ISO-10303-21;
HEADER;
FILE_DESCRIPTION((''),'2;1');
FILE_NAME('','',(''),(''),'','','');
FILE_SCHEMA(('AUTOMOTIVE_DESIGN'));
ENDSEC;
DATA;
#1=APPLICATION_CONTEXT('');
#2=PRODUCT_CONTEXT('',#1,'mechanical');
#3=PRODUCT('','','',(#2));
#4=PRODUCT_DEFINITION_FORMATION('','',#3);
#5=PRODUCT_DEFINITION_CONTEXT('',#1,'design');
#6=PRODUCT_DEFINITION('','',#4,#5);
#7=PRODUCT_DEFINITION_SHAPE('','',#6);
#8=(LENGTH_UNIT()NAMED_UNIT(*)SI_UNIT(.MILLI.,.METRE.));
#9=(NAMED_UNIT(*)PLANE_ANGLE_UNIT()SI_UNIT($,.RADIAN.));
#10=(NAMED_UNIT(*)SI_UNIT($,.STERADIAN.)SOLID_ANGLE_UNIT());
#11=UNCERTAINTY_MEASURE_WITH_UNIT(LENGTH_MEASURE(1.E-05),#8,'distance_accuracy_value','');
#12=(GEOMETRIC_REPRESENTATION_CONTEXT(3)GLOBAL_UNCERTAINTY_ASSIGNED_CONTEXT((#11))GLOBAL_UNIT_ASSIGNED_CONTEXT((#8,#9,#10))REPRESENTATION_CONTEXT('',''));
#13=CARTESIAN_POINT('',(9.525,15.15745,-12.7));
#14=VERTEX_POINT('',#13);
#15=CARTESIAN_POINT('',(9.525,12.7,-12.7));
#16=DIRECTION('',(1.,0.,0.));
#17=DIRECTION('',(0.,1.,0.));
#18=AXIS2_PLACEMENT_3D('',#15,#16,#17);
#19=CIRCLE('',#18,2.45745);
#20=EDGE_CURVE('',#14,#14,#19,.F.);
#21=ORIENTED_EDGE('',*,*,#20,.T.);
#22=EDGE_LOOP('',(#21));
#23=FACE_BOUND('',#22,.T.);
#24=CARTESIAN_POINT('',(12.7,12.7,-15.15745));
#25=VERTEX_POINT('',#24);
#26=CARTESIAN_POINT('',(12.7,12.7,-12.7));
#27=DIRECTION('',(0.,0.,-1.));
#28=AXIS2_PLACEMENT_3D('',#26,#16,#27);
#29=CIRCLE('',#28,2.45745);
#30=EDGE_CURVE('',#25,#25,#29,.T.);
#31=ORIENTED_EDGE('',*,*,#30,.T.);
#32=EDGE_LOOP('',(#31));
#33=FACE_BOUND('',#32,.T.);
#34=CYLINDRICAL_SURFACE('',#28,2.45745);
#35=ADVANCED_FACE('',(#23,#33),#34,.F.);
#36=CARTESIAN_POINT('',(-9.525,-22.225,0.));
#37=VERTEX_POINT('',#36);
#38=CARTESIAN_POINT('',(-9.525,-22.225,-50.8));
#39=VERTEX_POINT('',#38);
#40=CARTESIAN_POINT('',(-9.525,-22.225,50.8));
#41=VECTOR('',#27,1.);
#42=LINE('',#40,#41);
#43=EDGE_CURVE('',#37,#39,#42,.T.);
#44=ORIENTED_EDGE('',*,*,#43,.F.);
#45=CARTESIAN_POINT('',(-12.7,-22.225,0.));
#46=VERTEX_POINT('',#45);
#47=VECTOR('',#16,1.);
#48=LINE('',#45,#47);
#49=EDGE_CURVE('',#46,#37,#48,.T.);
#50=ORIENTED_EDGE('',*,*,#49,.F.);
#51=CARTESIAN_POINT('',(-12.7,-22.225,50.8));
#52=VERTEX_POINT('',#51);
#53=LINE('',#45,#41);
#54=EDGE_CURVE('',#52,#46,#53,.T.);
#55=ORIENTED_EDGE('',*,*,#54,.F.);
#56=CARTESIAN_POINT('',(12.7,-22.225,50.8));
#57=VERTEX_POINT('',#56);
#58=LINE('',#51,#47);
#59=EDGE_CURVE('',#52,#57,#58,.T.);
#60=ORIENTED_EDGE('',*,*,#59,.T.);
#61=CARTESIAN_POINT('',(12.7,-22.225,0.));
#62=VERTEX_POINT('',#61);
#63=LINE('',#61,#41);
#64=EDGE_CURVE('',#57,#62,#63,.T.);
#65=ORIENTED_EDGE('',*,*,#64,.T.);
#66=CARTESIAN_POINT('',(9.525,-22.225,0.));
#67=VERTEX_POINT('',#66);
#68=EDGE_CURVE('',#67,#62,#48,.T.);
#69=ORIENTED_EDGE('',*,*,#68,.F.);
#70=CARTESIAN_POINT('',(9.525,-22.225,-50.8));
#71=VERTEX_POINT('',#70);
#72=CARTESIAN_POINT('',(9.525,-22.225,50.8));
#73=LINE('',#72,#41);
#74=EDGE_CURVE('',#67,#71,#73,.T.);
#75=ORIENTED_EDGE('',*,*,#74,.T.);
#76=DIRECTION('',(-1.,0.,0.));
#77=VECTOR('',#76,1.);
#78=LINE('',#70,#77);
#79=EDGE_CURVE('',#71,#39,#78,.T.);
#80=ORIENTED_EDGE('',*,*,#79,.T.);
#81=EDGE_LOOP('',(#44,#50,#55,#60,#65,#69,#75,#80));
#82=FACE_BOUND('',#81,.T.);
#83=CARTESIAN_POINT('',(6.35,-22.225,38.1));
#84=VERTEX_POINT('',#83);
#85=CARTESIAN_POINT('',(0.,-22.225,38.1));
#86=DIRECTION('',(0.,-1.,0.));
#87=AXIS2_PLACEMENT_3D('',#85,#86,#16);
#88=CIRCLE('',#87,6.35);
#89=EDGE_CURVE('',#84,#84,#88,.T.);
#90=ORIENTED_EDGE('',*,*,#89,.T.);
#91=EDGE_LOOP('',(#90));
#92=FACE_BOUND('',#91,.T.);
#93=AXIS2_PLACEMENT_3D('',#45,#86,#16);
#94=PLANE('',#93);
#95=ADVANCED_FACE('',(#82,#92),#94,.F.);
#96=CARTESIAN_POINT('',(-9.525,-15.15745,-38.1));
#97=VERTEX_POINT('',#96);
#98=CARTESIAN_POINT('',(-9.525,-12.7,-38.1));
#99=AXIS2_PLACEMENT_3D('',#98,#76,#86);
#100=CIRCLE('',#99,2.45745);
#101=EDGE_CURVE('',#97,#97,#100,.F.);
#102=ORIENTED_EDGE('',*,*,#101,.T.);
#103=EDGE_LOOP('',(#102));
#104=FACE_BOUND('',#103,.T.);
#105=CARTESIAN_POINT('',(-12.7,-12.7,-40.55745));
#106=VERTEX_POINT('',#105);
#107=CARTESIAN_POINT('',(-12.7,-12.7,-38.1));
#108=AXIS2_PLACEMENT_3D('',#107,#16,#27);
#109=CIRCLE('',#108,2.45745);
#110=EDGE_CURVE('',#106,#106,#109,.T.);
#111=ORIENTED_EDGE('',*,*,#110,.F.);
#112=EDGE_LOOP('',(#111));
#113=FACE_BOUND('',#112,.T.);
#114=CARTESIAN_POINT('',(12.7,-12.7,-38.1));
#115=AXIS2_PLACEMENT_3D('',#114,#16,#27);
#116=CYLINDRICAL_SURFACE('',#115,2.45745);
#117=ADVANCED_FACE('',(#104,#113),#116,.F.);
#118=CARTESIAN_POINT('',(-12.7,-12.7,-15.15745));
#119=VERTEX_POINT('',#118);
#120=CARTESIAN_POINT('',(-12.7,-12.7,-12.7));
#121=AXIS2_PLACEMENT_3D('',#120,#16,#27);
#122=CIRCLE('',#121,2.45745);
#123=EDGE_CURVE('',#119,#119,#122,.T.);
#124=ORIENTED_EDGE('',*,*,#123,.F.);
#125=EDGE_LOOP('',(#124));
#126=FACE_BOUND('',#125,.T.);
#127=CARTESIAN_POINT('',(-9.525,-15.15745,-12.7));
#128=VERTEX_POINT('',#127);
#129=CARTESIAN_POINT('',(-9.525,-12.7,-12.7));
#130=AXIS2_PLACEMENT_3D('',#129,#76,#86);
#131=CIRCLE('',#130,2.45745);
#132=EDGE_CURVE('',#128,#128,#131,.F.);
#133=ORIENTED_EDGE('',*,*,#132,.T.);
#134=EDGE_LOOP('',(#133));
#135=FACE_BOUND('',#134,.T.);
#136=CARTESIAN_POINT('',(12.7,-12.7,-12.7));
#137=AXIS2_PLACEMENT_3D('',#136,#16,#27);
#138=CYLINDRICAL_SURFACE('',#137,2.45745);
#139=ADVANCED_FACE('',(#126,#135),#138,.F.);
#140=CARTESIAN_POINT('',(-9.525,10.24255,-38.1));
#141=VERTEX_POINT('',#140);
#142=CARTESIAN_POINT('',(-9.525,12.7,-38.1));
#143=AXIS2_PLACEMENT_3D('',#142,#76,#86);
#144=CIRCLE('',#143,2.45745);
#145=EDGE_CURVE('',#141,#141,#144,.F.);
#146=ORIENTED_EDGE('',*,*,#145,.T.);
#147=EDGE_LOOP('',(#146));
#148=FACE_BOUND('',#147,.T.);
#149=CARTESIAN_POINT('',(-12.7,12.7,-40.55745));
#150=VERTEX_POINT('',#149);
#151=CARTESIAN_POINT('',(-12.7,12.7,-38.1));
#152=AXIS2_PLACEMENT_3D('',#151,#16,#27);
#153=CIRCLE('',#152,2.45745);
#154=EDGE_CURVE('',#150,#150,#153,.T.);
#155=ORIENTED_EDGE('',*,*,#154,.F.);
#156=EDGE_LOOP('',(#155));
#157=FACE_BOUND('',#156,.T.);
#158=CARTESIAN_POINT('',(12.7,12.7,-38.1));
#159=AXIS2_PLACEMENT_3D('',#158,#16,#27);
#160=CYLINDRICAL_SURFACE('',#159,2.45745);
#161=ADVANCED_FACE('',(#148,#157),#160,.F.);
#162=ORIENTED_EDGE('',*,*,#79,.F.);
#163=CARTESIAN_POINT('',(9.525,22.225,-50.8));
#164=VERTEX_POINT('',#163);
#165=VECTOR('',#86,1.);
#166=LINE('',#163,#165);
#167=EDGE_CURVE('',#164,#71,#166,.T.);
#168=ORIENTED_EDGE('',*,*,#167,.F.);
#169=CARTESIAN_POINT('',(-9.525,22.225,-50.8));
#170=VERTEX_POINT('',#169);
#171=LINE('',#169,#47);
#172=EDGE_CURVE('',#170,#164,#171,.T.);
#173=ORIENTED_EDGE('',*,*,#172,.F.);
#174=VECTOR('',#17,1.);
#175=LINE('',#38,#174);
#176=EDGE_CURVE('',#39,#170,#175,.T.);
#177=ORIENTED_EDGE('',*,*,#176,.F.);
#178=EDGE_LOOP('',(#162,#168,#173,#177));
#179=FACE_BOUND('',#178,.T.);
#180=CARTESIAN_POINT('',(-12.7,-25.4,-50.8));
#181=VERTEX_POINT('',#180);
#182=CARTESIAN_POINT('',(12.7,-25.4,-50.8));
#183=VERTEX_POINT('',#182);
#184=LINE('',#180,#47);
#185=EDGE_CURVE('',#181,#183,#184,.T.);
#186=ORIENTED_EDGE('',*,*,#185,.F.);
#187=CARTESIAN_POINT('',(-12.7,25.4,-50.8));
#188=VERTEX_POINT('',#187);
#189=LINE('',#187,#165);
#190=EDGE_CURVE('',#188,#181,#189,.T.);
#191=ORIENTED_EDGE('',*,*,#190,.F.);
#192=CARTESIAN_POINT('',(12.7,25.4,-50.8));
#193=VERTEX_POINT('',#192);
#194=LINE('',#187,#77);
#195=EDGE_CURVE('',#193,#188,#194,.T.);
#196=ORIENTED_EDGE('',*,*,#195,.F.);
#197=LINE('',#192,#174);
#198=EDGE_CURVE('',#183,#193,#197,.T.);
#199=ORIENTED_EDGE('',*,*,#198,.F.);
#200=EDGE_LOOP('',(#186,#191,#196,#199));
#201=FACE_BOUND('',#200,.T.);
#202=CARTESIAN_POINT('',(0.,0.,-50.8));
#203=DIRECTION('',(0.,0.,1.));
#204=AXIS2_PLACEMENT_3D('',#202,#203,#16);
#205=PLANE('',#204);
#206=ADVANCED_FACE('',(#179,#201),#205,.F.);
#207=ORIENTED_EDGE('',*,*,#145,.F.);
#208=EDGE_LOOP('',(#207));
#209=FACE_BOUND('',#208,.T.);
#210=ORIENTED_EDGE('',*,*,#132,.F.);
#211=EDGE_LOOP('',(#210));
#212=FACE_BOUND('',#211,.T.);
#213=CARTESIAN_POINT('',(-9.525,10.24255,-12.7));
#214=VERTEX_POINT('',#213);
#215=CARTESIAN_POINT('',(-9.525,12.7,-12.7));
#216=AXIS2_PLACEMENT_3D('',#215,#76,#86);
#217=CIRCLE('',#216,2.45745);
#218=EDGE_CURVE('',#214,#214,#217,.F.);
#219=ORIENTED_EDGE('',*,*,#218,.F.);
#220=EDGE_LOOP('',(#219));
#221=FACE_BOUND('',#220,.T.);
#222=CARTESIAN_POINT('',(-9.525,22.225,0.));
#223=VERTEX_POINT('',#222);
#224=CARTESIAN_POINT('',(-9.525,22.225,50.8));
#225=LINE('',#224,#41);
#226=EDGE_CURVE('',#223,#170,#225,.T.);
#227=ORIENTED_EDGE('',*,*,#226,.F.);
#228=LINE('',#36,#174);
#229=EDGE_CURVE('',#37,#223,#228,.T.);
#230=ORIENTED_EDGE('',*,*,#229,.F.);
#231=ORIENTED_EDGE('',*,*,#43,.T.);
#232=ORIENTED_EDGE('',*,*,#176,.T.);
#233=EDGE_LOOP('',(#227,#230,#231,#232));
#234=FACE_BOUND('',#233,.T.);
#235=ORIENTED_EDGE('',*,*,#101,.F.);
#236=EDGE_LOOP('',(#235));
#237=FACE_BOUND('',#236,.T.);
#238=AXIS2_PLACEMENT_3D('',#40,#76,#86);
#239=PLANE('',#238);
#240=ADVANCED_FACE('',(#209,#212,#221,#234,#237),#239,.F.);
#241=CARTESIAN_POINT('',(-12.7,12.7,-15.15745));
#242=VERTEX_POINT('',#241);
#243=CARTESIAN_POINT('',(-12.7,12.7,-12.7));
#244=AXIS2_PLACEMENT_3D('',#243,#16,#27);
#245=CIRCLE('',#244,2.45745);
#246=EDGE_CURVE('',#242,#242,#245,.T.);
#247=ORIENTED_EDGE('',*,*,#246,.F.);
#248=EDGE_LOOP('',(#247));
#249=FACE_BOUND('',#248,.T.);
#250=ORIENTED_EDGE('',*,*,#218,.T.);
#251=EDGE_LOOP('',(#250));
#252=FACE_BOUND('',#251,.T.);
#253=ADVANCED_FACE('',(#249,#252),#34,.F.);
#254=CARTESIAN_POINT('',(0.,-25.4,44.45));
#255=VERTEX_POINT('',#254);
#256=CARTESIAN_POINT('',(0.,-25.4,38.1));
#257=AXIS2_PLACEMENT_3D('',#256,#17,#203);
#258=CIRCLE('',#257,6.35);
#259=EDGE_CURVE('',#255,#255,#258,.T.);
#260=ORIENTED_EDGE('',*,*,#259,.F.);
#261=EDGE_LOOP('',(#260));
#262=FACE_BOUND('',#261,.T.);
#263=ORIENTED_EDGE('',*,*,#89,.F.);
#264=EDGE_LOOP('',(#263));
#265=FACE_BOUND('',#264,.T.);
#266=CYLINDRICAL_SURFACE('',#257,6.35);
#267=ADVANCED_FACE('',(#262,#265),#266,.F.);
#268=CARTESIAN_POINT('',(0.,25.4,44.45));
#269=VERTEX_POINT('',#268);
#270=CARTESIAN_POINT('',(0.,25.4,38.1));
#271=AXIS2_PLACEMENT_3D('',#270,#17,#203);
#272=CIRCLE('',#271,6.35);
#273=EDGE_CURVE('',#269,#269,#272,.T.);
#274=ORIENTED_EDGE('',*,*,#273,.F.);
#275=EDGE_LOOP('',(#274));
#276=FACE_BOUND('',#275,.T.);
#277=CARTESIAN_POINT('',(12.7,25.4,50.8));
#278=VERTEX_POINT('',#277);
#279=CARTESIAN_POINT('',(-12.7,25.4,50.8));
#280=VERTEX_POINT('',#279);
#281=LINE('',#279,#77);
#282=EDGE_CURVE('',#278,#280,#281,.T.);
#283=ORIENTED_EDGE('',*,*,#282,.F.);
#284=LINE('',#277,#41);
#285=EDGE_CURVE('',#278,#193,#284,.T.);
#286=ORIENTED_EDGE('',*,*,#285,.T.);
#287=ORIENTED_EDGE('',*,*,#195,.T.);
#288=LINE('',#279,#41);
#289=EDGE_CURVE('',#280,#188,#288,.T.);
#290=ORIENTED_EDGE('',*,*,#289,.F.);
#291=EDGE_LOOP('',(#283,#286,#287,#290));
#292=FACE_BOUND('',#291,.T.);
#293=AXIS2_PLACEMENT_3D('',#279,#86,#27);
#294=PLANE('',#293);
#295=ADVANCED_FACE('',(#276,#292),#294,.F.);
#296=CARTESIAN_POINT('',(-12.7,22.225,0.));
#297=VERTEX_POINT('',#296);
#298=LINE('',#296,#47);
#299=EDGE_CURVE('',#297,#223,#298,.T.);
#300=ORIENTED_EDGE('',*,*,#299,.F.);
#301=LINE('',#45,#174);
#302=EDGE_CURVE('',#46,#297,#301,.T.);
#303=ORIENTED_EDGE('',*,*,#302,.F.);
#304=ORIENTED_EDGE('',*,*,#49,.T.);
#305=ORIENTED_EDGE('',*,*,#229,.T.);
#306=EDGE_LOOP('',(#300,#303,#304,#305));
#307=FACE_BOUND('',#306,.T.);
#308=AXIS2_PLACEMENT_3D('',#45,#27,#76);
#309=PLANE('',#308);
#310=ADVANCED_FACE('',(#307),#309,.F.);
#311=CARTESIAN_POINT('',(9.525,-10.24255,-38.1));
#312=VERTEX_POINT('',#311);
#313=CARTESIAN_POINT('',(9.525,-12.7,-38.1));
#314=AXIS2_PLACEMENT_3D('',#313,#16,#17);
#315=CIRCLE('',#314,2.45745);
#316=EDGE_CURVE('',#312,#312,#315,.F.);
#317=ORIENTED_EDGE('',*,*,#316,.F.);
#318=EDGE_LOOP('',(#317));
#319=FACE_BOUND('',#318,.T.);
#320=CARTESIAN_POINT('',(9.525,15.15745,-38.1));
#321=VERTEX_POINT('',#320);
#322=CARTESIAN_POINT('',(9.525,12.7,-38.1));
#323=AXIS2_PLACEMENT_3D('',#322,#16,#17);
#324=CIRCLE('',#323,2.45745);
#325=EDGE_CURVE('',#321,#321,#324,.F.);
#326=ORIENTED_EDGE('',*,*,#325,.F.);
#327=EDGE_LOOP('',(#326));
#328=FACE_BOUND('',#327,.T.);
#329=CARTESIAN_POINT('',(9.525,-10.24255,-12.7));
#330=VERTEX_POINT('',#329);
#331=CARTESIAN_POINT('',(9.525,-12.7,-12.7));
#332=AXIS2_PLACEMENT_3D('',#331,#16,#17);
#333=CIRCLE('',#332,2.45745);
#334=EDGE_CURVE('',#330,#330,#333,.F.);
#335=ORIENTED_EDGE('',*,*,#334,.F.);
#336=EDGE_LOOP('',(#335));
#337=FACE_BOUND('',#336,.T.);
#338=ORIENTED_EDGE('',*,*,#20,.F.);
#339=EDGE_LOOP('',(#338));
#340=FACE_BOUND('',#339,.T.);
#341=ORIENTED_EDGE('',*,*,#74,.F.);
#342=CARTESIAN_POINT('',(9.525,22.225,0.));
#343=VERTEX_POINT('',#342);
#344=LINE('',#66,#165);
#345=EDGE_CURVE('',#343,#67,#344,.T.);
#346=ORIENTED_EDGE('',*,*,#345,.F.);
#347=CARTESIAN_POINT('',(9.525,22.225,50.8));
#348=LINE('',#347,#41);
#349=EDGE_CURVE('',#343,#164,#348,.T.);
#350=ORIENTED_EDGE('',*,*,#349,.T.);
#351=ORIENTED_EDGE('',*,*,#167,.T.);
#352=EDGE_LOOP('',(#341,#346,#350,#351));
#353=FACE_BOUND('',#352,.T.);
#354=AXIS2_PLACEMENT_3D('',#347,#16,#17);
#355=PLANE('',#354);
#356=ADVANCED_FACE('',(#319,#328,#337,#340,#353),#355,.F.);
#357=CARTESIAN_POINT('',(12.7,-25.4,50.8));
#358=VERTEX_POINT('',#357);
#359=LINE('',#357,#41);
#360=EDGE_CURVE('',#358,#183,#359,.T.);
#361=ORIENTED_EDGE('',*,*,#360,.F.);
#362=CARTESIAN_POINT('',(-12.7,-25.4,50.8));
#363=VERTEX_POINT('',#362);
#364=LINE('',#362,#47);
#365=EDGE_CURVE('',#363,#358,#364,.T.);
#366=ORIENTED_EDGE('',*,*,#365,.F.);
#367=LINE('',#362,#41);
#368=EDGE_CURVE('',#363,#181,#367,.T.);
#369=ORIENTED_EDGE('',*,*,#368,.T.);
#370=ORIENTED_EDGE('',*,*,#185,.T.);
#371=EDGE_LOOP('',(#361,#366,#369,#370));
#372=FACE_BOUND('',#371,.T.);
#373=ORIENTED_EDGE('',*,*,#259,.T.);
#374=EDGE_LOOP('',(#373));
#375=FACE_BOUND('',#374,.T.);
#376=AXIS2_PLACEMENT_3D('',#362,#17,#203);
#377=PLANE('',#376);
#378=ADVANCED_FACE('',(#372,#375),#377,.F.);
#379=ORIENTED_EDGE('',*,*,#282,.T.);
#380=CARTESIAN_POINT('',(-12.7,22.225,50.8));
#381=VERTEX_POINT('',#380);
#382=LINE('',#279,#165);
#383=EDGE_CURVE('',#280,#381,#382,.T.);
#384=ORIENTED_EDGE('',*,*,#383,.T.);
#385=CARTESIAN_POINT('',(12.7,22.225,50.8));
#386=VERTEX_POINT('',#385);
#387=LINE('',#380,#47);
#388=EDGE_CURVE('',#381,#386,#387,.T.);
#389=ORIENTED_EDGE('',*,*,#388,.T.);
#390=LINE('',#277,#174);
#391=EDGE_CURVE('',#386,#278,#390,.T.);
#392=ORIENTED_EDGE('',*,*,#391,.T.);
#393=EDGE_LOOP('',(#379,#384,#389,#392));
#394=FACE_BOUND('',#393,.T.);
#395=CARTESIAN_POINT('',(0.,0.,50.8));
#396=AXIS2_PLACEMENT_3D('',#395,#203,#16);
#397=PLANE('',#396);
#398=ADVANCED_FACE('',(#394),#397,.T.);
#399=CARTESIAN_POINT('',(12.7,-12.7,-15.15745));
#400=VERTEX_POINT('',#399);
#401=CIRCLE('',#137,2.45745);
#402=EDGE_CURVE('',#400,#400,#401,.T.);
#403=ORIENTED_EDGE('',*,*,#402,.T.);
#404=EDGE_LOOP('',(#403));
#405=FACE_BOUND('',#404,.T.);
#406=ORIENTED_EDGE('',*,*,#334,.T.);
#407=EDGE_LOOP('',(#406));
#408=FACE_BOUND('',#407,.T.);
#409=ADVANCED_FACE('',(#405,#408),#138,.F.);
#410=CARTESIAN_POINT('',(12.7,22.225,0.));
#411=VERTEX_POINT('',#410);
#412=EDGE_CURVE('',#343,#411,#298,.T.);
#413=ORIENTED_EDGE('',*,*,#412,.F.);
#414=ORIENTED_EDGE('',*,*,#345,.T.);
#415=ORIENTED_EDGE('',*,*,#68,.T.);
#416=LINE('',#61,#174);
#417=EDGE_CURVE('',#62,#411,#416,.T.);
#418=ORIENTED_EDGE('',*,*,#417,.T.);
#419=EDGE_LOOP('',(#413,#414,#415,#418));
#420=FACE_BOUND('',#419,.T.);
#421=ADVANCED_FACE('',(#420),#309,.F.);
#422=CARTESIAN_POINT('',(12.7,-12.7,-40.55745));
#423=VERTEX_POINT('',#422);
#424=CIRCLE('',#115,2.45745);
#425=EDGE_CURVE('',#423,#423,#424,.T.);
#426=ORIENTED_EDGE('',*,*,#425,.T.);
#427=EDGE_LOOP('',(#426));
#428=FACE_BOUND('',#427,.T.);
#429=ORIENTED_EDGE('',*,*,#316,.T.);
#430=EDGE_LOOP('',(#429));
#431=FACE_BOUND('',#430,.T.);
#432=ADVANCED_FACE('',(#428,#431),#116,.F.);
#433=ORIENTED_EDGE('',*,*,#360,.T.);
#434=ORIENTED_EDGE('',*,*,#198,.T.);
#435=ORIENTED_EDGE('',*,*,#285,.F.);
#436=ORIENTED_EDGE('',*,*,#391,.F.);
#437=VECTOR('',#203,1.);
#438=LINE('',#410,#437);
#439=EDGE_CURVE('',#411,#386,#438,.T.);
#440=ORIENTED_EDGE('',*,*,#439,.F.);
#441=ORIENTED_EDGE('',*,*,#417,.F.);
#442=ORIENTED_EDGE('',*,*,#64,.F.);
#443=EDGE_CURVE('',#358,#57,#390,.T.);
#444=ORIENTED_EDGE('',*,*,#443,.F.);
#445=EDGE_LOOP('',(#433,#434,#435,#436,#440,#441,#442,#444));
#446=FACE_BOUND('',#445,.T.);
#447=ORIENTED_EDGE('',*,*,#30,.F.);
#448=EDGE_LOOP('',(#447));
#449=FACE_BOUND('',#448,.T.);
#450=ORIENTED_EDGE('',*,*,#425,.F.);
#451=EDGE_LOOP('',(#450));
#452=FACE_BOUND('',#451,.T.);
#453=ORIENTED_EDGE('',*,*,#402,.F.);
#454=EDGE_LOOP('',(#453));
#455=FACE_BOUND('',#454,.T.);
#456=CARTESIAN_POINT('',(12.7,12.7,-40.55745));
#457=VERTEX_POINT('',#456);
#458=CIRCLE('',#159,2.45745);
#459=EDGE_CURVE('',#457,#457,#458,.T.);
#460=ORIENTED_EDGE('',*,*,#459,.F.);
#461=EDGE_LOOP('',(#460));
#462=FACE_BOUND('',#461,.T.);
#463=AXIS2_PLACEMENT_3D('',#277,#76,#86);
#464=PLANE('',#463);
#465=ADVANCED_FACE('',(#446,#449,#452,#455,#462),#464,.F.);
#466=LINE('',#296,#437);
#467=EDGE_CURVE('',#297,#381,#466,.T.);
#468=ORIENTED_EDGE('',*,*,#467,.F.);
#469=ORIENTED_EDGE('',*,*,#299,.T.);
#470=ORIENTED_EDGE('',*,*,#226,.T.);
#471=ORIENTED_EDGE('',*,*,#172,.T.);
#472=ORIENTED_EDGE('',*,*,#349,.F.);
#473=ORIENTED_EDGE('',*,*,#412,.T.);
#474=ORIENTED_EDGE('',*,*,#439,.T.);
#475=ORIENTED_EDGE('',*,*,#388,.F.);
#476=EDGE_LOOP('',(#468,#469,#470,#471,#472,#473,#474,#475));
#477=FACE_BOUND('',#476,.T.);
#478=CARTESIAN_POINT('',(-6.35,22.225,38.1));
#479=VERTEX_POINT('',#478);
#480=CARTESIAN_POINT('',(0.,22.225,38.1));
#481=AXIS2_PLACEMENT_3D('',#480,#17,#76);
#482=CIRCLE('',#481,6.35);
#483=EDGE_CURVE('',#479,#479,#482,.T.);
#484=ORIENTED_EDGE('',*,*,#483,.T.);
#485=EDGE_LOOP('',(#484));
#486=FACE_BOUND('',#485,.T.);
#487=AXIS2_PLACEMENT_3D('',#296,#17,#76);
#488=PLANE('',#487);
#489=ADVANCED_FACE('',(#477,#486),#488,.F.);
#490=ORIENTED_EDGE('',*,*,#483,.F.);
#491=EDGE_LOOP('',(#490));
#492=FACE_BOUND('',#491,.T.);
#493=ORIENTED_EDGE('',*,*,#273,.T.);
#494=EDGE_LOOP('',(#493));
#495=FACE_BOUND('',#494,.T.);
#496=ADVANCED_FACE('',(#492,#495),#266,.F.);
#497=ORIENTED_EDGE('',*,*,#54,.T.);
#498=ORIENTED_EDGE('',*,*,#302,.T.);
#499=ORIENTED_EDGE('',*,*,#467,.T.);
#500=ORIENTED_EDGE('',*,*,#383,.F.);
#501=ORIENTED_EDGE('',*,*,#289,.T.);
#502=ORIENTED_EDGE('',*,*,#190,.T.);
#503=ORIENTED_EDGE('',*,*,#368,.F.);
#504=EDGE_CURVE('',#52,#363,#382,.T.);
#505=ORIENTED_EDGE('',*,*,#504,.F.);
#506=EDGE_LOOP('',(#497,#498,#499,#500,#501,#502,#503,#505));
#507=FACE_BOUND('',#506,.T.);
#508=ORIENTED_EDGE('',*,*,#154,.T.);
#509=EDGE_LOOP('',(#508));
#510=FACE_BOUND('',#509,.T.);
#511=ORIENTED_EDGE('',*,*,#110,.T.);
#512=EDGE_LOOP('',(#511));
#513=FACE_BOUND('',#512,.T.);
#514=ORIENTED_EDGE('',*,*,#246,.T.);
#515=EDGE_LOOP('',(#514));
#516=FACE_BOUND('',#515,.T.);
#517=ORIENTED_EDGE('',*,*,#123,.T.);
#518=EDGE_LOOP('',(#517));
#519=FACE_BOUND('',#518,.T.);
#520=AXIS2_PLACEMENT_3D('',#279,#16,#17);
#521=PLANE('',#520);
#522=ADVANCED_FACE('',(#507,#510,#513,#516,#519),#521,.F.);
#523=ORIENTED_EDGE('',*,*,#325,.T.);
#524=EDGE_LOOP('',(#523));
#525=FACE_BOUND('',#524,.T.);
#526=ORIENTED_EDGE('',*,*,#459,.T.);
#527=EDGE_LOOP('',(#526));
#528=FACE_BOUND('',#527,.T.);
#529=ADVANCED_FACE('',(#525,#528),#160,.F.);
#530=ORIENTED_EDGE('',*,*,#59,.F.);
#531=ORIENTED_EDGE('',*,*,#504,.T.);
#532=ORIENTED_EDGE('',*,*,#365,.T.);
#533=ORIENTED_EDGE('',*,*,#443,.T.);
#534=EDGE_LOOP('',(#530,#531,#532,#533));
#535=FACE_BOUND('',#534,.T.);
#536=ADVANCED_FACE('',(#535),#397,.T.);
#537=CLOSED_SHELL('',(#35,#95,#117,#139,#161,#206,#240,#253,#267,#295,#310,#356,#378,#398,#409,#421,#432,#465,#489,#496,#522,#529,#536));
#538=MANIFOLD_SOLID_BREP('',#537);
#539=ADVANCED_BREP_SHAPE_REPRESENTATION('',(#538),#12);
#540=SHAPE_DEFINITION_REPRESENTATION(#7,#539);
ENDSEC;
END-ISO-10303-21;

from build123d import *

# Parameters (mm, degrees)
SKETCH2_W                    = 25.4
SKETCH2_H                    = 50.8
BOSS_EXTRUDE1_DEPTH          = 50.8
SKETCH3_W                    = 50.8
SKETCH3_H                    = 44.45
CUT_EXTRUDE1_DEPTH           = 63.217039467
SKETCH4_R                    = 6.35
CUT_EXTRUDE2_DEPTH           = 73.955945611
F_10_0_1935_DIAMETER_HOLE2_D = 4.9149
SKETCH9_W                    = 19.05
SKETCH9_H                    = 44.45
CUT_EXTRUDE3_DEPTH           = 106.494123059


with BuildPart() as part:
    # Sketch2 → Boss-Extrude1 (new, symmetric)
    with BuildSketch(Plane.XY):
        Rectangle(SKETCH2_W, SKETCH2_H)
    extrude(amount=BOSS_EXTRUDE1_DEPTH, both=True)

    # Sketch3 → Cut-Extrude1 (cut, through all)
    with BuildSketch(Plane(origin=(12.7, 0, 0), x_dir=(0, 0, -1), z_dir=(1, 0, 0))):
        with Locations((-25.4, 0)):
            Rectangle(SKETCH3_W, SKETCH3_H)
    extrude(amount=-CUT_EXTRUDE1_DEPTH, mode=Mode.SUBTRACT)

    # Sketch4 → Cut-Extrude2 (cut, through all)
    with BuildSketch(Plane(origin=(0, 25.4, 0), x_dir=(1, 0, 0), z_dir=(0, 1, 0))):
        with Locations(Location((0, -38.1, 0), (0, 0, 270))):
            Circle(SKETCH4_R)
    extrude(amount=-CUT_EXTRUDE2_DEPTH, mode=Mode.SUBTRACT)

    # #10 (0.1935) Diameter Hole2 (through all)
    with Locations(Plane(origin=(12.7, 0, 0), x_dir=(0, 0, -1), z_dir=(1, 0, 0))):
        with Locations((12.7, 12.7), (38.1, 12.7), (12.7, -12.7), (38.1, -12.7)):
            Hole(F_10_0_1935_DIAMETER_HOLE2_D / 2)

    # Sketch9 → Cut-Extrude3 (cut, through all)
    with BuildSketch(Plane(origin=(0, 0, -50.8), x_dir=(-1, 0, 0), z_dir=(0, 0, -1))):
        Rectangle(SKETCH9_W, SKETCH9_H)
    extrude(amount=-CUT_EXTRUDE3_DEPTH, mode=Mode.SUBTRACT)


solid = part.part
